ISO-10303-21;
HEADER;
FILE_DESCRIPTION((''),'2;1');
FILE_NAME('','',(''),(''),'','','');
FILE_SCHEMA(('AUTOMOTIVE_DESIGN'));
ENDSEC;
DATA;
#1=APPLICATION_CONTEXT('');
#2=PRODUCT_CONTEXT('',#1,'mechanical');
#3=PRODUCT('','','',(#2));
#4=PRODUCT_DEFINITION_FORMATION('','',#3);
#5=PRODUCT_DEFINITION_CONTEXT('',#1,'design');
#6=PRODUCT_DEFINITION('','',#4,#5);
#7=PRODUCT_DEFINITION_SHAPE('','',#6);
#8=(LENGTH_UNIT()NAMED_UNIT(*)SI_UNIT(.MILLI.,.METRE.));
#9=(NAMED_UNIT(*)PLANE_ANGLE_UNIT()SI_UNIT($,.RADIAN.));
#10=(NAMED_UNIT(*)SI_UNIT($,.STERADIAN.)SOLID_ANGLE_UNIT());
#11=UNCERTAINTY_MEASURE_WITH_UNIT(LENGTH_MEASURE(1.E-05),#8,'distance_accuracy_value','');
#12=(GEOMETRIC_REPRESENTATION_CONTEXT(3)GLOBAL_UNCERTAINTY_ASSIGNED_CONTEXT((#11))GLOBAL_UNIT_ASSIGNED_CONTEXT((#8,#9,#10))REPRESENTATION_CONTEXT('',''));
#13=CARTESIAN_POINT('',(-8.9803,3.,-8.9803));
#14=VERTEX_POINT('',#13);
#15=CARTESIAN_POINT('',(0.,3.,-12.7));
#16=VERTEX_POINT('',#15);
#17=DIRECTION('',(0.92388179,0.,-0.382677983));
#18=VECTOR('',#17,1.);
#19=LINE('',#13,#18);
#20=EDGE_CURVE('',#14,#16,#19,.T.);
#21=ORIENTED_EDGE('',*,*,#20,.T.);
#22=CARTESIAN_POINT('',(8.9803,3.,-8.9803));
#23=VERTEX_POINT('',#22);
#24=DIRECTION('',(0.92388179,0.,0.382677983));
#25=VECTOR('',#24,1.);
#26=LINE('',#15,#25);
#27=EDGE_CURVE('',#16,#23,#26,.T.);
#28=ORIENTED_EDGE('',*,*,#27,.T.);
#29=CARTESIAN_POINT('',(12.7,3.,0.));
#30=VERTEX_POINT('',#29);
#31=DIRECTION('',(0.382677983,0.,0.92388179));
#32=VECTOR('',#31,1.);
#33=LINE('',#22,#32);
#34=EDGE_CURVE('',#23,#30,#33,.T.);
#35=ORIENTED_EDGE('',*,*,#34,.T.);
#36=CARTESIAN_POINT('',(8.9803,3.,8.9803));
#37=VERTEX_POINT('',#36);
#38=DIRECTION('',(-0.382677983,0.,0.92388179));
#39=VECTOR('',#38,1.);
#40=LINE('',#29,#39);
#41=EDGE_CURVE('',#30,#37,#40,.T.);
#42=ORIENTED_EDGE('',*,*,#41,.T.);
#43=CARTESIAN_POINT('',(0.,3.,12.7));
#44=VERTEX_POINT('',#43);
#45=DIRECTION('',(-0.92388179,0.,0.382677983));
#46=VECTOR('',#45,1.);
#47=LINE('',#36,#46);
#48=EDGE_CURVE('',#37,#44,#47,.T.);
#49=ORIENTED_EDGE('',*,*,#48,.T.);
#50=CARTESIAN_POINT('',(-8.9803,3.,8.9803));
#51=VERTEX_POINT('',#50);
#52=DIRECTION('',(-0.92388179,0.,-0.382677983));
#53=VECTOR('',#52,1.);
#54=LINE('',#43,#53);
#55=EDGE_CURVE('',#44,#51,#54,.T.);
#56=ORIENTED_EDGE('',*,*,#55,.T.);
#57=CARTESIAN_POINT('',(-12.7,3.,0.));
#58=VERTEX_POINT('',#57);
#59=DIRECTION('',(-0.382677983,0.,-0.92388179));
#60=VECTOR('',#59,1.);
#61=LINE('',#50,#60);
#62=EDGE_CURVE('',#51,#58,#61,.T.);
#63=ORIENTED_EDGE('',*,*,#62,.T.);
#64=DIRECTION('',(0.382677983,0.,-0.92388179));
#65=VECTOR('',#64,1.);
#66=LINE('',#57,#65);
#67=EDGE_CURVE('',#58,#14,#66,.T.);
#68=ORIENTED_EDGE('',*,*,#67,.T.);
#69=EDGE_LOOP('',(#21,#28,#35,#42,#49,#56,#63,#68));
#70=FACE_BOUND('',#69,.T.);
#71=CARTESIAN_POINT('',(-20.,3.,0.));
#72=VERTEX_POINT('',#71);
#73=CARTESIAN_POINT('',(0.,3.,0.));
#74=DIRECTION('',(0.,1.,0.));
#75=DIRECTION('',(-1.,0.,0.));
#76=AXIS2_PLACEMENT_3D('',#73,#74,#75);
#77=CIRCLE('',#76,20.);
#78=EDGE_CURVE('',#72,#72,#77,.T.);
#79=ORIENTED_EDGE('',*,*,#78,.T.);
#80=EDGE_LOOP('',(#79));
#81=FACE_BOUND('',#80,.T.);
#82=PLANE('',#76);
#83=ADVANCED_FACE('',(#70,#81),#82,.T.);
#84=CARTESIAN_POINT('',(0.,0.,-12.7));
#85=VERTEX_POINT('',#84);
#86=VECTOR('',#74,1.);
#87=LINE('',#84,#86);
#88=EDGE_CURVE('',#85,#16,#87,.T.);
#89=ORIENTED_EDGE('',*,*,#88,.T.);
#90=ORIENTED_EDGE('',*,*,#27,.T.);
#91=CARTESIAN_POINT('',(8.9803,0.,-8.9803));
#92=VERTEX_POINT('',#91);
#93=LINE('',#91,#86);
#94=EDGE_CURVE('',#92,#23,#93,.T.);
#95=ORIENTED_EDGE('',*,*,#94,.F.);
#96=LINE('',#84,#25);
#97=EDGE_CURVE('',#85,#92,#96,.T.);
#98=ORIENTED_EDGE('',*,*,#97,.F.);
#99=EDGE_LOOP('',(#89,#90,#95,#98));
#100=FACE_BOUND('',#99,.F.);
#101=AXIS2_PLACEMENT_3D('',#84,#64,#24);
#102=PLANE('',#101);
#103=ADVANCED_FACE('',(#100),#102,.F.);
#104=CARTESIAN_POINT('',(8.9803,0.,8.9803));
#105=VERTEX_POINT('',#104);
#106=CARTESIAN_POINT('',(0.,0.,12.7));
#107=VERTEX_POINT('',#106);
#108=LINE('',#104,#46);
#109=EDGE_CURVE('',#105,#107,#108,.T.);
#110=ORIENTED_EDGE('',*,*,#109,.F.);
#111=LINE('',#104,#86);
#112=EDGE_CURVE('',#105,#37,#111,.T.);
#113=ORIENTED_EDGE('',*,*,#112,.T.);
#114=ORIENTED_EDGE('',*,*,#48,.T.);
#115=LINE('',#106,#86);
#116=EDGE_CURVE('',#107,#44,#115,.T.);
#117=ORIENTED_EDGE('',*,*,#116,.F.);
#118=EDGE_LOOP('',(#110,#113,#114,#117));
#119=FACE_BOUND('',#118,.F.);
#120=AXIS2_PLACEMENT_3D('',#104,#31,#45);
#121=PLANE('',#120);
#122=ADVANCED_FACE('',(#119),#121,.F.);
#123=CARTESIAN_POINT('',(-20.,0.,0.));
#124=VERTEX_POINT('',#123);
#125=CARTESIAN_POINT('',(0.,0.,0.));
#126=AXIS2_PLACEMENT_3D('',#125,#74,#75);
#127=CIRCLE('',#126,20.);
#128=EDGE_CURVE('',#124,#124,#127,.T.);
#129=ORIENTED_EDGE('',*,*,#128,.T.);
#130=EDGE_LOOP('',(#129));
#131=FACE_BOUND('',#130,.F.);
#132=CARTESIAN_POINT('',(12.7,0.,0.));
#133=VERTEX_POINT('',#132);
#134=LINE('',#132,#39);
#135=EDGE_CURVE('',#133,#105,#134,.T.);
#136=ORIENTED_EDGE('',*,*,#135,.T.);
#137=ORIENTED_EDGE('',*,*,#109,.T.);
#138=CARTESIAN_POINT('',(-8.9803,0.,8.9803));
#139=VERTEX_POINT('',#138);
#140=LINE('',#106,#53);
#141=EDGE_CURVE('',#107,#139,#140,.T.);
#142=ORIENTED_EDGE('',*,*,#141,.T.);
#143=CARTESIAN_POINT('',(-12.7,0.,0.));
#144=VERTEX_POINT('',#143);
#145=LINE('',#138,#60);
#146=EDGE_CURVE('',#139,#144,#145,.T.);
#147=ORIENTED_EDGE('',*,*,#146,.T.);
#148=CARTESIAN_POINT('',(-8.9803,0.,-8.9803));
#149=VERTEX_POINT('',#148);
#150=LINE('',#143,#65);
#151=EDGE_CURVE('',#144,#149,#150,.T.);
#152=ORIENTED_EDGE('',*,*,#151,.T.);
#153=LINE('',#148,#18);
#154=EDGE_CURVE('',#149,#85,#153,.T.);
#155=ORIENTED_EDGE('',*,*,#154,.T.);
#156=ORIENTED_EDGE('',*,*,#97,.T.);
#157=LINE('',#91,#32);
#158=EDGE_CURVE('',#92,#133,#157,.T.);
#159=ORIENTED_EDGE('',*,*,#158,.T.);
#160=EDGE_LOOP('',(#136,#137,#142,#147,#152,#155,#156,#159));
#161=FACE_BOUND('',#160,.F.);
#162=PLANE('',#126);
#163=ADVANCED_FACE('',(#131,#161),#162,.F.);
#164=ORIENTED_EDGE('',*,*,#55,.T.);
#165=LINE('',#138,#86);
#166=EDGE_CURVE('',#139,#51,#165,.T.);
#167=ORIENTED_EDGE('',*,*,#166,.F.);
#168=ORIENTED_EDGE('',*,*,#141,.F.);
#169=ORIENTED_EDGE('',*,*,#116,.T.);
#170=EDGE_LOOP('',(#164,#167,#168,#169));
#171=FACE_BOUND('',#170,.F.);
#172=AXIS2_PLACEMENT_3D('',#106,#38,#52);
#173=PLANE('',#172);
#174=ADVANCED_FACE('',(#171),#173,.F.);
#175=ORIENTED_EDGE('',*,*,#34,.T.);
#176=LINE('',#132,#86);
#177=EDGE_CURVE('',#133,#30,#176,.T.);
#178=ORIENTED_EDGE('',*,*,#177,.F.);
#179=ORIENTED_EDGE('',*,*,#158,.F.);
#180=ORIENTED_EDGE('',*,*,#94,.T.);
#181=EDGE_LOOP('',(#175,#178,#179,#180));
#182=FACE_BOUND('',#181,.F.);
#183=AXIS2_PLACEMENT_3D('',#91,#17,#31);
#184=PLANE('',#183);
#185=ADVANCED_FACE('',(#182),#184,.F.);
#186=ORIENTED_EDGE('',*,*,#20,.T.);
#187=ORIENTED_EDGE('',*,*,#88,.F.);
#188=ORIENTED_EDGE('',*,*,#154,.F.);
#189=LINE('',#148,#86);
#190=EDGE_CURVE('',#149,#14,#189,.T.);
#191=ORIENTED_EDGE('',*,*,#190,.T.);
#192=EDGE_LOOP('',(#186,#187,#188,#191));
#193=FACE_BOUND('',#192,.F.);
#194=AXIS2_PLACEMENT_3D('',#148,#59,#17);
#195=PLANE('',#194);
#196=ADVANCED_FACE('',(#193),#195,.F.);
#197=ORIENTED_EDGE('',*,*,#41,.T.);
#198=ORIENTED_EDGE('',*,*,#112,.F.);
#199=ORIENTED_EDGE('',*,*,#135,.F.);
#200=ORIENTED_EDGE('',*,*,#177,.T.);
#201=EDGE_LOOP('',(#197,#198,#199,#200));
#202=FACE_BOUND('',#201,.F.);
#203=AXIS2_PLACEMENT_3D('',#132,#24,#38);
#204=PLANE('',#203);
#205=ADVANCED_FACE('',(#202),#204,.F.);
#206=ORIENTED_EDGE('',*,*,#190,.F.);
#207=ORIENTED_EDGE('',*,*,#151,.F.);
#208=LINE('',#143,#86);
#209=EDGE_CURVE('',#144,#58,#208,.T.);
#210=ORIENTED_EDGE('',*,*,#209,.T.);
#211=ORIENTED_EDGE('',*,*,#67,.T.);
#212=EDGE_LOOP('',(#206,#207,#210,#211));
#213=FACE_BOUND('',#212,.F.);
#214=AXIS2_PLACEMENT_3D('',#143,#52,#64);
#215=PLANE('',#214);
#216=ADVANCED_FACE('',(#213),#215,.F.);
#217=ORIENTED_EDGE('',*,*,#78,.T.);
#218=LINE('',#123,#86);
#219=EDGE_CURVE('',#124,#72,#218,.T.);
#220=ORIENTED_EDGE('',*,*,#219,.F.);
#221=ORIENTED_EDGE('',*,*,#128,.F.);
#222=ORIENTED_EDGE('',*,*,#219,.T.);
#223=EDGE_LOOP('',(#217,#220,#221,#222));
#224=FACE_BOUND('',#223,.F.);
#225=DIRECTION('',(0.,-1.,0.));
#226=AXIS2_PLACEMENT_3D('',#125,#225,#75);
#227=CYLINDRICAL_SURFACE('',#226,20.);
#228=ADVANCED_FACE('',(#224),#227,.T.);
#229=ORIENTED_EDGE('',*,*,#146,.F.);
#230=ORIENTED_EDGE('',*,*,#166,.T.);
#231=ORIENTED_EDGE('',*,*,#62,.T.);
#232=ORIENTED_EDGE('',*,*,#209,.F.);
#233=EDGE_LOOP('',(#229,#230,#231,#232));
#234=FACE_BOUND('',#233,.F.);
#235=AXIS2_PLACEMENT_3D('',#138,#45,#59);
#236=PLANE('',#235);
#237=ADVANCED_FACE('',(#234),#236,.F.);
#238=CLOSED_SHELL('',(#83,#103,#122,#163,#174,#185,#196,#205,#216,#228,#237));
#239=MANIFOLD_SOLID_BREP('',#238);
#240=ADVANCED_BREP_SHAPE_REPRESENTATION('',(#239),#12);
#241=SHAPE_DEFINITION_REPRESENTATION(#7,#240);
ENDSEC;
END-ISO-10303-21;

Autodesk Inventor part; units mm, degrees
ref_plane "YZ Plane" through (0, 0, 0) normal (1, 0, 0) x (0, 1, 0)
ref_plane "XZ Plane" through (0, 0, 0) normal (0, 1, 0) x (-1, 0, 0)
ref_plane "XY Plane" through (0, 0, 0) normal (0, 0, 1) x (1, 0, 0)
sketch "Boceto1" plane through (0, 0, 0) normal (0, 1, 0) x (-1, 0, 0)
  circle A0 centre (0, 0) radius 12.7 construction
  circle A1 centre (0, 0) radius 20
  line L0 (0, -12.7) -> (-8.9803, -8.9803)
  line L1 (-8.9803, -8.9803) -> (-12.7, 0)
  line L2 (-12.7, 0) -> (-8.9803, 8.9803)
  line L3 (-8.9803, 8.9803) -> (0, 12.7)
  line L4 (0, 12.7) -> (8.9803, 8.9803)
  line L5 (8.9803, 8.9803) -> (12.7, 0)
  line L6 (12.7, 0) -> (8.9803, -8.9803)
  line L7 (8.9803, -8.9803) -> (0, -12.7)
  point P0 (0, 12.7)
  dimension "d0" = 25.4
  dimension "d1" = 40
extrude "Extrusión1" add sketch "Boceto1" along normal blind 3
properties part number "espaciador"
